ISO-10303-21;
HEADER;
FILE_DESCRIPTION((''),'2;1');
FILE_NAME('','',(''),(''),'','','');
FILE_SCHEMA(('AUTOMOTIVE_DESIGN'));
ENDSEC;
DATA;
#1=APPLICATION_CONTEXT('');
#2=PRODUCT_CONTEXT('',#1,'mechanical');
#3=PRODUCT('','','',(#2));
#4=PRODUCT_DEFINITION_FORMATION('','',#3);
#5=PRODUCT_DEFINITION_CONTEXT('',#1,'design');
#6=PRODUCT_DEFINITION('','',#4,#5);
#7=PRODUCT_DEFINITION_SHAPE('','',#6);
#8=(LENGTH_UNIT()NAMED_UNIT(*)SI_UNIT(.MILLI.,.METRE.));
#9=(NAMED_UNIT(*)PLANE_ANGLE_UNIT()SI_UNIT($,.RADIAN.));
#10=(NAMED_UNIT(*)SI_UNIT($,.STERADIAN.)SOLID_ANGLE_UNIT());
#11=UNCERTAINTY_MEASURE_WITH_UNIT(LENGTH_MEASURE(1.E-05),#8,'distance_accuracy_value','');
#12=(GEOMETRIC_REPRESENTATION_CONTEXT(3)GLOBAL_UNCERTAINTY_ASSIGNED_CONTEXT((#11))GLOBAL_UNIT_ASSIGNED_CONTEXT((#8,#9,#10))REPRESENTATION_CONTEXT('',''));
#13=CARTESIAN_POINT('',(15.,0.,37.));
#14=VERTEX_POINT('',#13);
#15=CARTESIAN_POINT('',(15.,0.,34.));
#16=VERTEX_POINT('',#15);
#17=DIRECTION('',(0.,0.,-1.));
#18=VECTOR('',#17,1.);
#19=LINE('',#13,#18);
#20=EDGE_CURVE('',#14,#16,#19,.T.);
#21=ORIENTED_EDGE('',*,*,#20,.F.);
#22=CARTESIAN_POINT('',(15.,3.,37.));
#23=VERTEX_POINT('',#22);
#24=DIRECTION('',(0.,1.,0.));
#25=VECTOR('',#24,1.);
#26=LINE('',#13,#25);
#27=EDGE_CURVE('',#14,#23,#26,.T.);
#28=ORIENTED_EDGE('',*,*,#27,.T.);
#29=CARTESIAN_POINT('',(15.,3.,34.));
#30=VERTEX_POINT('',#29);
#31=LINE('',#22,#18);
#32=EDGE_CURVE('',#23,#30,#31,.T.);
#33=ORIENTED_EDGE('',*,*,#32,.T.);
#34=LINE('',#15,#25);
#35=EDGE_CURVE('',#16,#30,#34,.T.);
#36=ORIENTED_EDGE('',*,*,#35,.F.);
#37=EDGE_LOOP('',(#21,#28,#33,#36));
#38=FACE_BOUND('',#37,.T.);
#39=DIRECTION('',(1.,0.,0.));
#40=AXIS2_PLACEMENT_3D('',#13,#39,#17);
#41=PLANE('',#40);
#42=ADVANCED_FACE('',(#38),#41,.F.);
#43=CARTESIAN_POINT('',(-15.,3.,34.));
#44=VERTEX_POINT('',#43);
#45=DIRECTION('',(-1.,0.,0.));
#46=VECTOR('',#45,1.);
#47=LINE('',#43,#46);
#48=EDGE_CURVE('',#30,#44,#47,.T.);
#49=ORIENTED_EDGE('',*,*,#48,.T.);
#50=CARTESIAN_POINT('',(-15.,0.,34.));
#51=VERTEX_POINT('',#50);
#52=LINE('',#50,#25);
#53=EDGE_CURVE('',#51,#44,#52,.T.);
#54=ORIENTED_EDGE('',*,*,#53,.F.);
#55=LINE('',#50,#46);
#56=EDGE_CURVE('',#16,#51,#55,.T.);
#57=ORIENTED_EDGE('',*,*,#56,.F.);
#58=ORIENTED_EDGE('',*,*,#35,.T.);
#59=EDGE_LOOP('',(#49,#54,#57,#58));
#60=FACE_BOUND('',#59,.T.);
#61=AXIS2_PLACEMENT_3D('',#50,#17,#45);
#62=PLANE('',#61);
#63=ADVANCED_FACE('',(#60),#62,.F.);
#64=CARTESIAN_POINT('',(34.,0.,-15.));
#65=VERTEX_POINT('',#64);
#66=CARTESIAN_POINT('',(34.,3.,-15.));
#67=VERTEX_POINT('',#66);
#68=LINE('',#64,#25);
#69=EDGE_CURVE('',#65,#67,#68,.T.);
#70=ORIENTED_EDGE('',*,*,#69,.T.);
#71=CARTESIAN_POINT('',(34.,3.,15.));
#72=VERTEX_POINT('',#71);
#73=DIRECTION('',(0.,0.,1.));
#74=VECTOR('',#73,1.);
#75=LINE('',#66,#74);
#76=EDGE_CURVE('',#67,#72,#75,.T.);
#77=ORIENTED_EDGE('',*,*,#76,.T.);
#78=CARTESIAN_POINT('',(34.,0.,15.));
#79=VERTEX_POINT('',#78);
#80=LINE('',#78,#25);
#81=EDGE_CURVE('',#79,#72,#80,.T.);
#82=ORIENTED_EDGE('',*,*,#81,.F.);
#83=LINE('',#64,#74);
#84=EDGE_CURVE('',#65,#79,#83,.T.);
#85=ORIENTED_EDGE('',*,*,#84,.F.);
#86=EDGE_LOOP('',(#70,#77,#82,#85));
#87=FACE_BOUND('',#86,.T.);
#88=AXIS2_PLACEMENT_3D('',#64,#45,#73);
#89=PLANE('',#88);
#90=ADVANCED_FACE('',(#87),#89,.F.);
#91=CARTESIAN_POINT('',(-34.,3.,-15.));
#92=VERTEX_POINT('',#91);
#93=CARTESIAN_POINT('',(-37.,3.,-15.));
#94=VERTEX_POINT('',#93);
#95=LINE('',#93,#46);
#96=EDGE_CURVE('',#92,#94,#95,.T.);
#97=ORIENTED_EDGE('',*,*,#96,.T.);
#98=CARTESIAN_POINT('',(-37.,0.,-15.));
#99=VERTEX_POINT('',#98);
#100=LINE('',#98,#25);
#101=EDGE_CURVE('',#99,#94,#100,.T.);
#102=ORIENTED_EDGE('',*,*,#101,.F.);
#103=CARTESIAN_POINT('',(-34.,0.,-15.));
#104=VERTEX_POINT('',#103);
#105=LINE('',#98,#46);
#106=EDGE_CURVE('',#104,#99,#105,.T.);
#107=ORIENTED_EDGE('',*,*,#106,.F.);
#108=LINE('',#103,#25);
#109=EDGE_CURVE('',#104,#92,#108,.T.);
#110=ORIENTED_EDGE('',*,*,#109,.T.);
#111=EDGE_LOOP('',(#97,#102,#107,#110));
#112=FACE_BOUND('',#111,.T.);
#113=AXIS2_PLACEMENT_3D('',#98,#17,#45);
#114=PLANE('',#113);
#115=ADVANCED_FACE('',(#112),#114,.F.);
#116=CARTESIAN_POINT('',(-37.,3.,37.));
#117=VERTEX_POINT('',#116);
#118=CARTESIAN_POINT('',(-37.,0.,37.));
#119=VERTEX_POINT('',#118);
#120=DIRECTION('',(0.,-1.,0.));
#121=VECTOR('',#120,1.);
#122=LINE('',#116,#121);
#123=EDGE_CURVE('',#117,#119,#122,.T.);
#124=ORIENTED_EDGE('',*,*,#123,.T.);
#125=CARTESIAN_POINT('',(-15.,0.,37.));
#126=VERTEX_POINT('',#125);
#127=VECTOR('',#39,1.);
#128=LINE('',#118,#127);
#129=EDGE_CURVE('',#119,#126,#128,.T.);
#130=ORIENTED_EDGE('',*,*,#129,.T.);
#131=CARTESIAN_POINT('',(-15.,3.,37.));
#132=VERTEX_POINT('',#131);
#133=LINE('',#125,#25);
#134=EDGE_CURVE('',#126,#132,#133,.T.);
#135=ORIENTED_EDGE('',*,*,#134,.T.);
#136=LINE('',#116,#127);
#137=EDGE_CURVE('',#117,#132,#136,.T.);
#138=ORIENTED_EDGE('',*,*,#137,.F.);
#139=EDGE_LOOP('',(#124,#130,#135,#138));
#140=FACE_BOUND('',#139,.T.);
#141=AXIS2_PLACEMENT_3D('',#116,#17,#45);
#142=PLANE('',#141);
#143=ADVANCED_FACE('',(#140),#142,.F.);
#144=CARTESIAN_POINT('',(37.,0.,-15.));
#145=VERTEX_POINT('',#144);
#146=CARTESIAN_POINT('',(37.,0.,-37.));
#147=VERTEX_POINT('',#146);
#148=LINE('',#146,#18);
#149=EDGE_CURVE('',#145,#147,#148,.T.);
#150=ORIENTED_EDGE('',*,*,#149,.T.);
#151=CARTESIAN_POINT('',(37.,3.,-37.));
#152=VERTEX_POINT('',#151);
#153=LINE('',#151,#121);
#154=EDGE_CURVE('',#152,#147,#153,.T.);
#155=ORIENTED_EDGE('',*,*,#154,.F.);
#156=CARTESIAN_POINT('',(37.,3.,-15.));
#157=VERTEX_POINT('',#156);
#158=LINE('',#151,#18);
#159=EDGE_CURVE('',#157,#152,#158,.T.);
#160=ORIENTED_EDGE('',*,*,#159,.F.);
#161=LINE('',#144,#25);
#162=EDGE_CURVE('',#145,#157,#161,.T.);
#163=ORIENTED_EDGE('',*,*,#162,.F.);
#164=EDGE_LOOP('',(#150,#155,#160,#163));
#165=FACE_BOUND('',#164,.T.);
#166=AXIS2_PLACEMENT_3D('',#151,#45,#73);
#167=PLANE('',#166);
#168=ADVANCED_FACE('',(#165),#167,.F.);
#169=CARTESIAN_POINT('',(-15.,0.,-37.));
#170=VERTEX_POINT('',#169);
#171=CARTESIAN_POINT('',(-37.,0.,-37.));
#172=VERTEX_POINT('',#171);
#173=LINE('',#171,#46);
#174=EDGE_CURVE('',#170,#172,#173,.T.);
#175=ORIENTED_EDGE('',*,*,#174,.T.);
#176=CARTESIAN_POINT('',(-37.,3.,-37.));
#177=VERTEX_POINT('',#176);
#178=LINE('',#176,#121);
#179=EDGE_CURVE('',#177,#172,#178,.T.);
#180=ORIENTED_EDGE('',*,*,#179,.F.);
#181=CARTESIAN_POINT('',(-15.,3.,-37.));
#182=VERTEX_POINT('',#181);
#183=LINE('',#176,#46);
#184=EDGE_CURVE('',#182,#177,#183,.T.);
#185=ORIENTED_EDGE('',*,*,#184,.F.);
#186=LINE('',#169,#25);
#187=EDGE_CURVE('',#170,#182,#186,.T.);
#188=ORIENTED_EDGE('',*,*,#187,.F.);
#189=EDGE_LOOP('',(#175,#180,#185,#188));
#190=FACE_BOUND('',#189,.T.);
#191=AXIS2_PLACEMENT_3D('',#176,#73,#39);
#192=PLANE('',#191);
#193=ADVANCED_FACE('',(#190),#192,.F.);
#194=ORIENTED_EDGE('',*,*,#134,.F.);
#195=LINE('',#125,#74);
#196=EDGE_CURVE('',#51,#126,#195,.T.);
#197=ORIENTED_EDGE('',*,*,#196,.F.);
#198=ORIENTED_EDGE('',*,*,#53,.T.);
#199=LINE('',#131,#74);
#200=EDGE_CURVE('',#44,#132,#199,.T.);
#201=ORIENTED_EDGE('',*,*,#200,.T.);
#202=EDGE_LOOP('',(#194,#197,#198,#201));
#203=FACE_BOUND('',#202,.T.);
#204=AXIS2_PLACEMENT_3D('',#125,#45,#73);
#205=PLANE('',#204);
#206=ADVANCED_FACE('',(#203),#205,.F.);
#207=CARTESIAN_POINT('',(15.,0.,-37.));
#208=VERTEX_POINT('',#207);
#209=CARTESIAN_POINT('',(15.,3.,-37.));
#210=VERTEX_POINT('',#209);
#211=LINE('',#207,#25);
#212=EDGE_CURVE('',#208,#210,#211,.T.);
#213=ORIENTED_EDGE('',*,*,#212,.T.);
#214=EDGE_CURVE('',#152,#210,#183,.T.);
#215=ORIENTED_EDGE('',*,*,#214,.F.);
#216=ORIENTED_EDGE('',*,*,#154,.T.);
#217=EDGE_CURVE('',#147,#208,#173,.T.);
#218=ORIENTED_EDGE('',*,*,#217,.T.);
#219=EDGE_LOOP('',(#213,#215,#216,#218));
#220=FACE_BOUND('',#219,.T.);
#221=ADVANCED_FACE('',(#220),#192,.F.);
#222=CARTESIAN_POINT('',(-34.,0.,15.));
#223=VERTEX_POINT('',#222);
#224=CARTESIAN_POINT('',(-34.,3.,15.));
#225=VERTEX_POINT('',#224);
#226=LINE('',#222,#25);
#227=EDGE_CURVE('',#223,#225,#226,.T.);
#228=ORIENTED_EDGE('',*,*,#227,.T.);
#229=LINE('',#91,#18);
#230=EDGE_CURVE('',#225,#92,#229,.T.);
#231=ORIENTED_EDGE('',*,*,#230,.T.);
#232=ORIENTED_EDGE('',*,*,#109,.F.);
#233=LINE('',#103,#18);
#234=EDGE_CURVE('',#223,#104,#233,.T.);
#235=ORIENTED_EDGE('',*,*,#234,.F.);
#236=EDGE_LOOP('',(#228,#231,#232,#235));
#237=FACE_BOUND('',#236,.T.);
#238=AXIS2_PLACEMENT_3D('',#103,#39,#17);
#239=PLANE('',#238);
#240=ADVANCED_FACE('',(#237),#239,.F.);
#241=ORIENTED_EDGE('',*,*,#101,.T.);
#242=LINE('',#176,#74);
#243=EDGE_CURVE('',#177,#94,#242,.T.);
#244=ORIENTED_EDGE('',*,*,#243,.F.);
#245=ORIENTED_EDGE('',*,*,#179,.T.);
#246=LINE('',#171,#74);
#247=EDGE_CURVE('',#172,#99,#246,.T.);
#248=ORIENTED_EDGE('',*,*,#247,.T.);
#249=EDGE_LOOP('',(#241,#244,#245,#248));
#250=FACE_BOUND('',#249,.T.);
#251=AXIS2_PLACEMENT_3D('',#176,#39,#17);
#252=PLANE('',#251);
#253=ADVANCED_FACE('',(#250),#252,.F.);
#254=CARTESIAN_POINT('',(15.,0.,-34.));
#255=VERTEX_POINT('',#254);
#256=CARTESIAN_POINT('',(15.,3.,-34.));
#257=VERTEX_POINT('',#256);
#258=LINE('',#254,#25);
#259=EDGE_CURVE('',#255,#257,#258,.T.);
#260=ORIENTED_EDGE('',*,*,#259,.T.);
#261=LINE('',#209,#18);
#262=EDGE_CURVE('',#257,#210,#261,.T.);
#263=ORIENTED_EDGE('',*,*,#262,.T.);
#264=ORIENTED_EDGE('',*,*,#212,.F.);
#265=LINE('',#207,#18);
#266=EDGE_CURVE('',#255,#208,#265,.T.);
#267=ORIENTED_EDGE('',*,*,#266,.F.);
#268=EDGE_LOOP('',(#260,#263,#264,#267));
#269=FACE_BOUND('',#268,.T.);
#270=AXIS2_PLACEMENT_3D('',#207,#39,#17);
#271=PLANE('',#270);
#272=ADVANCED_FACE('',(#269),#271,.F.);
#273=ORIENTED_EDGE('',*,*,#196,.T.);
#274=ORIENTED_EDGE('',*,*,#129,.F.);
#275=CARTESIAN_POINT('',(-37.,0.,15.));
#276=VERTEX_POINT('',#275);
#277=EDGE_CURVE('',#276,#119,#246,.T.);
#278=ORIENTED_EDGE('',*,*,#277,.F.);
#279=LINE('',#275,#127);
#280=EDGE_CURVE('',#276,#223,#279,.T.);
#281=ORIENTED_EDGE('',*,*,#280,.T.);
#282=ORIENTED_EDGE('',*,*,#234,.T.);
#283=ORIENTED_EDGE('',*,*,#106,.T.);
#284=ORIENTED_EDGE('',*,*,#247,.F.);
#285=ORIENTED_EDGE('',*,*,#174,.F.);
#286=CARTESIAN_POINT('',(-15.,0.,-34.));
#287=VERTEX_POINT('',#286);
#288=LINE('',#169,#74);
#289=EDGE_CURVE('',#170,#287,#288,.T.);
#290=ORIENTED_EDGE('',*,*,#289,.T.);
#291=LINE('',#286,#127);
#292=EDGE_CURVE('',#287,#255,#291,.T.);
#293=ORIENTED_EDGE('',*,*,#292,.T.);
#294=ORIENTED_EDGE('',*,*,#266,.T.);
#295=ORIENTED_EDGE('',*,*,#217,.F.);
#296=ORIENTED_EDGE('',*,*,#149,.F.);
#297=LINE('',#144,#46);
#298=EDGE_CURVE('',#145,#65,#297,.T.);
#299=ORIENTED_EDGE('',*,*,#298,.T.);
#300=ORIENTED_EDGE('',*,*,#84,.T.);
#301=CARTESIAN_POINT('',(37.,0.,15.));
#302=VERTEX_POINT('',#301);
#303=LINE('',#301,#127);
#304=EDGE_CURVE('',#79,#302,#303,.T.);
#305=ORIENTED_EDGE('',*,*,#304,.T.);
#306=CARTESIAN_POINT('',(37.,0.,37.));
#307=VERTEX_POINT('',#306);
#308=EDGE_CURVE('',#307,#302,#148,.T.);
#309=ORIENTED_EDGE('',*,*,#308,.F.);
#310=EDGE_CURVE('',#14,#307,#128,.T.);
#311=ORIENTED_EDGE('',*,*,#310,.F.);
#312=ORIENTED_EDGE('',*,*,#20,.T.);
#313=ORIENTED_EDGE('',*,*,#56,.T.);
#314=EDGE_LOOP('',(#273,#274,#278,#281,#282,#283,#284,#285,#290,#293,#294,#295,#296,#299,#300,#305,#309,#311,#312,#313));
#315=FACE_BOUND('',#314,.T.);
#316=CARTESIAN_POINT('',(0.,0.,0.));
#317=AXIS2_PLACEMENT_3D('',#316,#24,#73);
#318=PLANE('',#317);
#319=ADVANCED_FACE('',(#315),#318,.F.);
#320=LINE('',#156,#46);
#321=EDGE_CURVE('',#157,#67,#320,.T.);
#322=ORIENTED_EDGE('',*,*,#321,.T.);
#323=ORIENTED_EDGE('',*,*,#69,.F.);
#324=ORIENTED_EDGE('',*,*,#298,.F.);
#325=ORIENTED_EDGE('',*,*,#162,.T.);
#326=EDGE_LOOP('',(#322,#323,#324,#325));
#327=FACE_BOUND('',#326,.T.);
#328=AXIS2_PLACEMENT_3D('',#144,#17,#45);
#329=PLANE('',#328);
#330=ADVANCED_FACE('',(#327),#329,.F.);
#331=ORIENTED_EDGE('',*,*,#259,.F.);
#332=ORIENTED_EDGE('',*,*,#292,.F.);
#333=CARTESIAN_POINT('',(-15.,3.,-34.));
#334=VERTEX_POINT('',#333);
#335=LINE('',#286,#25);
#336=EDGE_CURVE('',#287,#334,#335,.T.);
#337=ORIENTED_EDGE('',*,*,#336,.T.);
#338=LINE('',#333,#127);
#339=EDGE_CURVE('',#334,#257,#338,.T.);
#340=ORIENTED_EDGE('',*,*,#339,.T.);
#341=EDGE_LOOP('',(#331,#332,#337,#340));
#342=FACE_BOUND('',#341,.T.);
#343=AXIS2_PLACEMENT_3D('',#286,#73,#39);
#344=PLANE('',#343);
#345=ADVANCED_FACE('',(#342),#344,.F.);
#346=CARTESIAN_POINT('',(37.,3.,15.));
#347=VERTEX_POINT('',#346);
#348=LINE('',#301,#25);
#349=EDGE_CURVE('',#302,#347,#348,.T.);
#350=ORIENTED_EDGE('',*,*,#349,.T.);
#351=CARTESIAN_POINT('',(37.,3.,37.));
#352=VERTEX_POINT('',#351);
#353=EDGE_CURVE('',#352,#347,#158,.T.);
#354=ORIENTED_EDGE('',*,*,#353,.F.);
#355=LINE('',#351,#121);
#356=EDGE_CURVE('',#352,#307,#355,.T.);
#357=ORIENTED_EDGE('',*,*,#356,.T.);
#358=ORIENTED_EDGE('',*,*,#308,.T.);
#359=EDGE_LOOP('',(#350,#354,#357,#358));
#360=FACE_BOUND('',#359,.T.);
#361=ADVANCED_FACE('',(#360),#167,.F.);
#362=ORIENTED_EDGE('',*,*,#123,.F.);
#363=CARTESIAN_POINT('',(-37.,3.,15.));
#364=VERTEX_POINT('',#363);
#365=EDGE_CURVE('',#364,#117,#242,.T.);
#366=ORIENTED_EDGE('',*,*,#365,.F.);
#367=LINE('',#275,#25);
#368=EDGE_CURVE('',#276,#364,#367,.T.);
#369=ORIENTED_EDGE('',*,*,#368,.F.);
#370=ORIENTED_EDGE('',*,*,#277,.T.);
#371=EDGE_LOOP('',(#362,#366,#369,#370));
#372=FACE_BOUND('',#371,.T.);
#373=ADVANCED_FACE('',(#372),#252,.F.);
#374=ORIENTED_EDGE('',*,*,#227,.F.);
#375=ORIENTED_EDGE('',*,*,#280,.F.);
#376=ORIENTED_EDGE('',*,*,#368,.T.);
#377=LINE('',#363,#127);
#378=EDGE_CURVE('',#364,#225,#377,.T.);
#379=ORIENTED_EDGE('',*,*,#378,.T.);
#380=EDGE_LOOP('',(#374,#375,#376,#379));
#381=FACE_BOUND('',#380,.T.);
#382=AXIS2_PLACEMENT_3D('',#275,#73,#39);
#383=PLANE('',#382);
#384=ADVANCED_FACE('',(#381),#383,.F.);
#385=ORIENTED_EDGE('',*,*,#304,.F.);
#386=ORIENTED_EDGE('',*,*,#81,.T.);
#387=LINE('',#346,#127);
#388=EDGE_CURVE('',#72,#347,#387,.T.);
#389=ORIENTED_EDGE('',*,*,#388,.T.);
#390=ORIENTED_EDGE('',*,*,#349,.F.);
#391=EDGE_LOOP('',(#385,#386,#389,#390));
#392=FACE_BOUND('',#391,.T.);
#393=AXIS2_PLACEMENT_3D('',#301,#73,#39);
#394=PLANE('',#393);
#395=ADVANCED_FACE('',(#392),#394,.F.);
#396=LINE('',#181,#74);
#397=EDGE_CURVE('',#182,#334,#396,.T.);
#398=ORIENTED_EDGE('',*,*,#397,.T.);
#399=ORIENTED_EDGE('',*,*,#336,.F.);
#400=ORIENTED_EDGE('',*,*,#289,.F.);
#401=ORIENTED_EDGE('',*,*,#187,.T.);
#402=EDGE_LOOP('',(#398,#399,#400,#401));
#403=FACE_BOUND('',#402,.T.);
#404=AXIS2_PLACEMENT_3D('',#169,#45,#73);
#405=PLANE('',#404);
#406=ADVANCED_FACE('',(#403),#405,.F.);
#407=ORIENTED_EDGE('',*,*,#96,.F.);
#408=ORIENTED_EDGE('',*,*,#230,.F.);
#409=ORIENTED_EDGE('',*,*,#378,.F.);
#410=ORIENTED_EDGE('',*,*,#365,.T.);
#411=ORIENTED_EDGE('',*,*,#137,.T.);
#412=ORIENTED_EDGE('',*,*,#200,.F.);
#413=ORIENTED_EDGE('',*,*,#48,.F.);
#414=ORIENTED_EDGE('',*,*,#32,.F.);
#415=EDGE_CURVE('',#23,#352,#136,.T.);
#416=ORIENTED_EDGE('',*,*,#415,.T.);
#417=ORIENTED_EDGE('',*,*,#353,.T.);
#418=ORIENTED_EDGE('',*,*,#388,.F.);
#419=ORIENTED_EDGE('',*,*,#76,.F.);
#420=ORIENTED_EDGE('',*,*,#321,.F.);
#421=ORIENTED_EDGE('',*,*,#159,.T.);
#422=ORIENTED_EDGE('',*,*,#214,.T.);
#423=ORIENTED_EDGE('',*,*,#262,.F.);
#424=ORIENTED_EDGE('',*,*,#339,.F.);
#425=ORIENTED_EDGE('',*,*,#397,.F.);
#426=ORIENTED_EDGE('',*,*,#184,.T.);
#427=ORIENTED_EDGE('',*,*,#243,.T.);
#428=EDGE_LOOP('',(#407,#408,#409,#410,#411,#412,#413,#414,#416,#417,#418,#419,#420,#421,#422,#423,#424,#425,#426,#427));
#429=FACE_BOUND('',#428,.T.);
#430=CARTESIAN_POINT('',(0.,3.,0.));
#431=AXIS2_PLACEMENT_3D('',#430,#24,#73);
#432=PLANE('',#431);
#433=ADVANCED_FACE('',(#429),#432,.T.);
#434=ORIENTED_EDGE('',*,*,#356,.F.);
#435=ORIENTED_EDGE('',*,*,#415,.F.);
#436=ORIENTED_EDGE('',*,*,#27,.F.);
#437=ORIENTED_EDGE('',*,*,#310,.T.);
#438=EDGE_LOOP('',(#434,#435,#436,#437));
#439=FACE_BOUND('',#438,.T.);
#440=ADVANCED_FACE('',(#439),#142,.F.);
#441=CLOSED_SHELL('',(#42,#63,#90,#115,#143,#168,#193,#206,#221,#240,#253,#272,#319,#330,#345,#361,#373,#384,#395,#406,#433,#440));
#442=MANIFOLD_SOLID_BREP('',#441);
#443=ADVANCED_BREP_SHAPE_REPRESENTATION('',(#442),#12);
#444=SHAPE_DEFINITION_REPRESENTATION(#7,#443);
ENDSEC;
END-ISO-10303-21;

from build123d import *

# Parameters (mm, degrees)
ESBO_O1_W                = 74
ESBO_O1_H                = 74
RESSALTO_EXTRUS_O1_DEPTH = 3
ESBO_O2_W                = 30
ESBO_O2_H                = 3
ESBO_O2_W_2              = 3
ESBO_O2_H_2              = 30
CORTE_EXTRUS_O1_DEPTH    = 3


with BuildPart() as part:
    # Esboço1 → Ressalto-extrusão1 (new body)
    with BuildSketch(Plane(origin=(0, 0, 0), x_dir=(1, 0, 0), z_dir=(0, 1, 0))):
        Rectangle(ESBO_O1_W, ESBO_O1_H)
    extrude(amount=RESSALTO_EXTRUS_O1_DEPTH)

    # Esboço2 → Corte-extrusão1 (cut)
    with BuildSketch(Plane(origin=(0, 3, 0), x_dir=(1, 0, 0), z_dir=(0, 1, 0))):
        with Locations((0, 35.5)):
            Rectangle(ESBO_O2_W, ESBO_O2_H)
        with Locations((35.5, 0)):
            Rectangle(ESBO_O2_W_2, ESBO_O2_H_2)
        with Locations((0, -35.5)):
            Rectangle(ESBO_O2_W, ESBO_O2_H)
        with Locations((-35.5, 0)):
            Rectangle(ESBO_O2_W_2, ESBO_O2_H_2)
    extrude(amount=-CORTE_EXTRUS_O1_DEPTH, mode=Mode.SUBTRACT)


solid = part.part
